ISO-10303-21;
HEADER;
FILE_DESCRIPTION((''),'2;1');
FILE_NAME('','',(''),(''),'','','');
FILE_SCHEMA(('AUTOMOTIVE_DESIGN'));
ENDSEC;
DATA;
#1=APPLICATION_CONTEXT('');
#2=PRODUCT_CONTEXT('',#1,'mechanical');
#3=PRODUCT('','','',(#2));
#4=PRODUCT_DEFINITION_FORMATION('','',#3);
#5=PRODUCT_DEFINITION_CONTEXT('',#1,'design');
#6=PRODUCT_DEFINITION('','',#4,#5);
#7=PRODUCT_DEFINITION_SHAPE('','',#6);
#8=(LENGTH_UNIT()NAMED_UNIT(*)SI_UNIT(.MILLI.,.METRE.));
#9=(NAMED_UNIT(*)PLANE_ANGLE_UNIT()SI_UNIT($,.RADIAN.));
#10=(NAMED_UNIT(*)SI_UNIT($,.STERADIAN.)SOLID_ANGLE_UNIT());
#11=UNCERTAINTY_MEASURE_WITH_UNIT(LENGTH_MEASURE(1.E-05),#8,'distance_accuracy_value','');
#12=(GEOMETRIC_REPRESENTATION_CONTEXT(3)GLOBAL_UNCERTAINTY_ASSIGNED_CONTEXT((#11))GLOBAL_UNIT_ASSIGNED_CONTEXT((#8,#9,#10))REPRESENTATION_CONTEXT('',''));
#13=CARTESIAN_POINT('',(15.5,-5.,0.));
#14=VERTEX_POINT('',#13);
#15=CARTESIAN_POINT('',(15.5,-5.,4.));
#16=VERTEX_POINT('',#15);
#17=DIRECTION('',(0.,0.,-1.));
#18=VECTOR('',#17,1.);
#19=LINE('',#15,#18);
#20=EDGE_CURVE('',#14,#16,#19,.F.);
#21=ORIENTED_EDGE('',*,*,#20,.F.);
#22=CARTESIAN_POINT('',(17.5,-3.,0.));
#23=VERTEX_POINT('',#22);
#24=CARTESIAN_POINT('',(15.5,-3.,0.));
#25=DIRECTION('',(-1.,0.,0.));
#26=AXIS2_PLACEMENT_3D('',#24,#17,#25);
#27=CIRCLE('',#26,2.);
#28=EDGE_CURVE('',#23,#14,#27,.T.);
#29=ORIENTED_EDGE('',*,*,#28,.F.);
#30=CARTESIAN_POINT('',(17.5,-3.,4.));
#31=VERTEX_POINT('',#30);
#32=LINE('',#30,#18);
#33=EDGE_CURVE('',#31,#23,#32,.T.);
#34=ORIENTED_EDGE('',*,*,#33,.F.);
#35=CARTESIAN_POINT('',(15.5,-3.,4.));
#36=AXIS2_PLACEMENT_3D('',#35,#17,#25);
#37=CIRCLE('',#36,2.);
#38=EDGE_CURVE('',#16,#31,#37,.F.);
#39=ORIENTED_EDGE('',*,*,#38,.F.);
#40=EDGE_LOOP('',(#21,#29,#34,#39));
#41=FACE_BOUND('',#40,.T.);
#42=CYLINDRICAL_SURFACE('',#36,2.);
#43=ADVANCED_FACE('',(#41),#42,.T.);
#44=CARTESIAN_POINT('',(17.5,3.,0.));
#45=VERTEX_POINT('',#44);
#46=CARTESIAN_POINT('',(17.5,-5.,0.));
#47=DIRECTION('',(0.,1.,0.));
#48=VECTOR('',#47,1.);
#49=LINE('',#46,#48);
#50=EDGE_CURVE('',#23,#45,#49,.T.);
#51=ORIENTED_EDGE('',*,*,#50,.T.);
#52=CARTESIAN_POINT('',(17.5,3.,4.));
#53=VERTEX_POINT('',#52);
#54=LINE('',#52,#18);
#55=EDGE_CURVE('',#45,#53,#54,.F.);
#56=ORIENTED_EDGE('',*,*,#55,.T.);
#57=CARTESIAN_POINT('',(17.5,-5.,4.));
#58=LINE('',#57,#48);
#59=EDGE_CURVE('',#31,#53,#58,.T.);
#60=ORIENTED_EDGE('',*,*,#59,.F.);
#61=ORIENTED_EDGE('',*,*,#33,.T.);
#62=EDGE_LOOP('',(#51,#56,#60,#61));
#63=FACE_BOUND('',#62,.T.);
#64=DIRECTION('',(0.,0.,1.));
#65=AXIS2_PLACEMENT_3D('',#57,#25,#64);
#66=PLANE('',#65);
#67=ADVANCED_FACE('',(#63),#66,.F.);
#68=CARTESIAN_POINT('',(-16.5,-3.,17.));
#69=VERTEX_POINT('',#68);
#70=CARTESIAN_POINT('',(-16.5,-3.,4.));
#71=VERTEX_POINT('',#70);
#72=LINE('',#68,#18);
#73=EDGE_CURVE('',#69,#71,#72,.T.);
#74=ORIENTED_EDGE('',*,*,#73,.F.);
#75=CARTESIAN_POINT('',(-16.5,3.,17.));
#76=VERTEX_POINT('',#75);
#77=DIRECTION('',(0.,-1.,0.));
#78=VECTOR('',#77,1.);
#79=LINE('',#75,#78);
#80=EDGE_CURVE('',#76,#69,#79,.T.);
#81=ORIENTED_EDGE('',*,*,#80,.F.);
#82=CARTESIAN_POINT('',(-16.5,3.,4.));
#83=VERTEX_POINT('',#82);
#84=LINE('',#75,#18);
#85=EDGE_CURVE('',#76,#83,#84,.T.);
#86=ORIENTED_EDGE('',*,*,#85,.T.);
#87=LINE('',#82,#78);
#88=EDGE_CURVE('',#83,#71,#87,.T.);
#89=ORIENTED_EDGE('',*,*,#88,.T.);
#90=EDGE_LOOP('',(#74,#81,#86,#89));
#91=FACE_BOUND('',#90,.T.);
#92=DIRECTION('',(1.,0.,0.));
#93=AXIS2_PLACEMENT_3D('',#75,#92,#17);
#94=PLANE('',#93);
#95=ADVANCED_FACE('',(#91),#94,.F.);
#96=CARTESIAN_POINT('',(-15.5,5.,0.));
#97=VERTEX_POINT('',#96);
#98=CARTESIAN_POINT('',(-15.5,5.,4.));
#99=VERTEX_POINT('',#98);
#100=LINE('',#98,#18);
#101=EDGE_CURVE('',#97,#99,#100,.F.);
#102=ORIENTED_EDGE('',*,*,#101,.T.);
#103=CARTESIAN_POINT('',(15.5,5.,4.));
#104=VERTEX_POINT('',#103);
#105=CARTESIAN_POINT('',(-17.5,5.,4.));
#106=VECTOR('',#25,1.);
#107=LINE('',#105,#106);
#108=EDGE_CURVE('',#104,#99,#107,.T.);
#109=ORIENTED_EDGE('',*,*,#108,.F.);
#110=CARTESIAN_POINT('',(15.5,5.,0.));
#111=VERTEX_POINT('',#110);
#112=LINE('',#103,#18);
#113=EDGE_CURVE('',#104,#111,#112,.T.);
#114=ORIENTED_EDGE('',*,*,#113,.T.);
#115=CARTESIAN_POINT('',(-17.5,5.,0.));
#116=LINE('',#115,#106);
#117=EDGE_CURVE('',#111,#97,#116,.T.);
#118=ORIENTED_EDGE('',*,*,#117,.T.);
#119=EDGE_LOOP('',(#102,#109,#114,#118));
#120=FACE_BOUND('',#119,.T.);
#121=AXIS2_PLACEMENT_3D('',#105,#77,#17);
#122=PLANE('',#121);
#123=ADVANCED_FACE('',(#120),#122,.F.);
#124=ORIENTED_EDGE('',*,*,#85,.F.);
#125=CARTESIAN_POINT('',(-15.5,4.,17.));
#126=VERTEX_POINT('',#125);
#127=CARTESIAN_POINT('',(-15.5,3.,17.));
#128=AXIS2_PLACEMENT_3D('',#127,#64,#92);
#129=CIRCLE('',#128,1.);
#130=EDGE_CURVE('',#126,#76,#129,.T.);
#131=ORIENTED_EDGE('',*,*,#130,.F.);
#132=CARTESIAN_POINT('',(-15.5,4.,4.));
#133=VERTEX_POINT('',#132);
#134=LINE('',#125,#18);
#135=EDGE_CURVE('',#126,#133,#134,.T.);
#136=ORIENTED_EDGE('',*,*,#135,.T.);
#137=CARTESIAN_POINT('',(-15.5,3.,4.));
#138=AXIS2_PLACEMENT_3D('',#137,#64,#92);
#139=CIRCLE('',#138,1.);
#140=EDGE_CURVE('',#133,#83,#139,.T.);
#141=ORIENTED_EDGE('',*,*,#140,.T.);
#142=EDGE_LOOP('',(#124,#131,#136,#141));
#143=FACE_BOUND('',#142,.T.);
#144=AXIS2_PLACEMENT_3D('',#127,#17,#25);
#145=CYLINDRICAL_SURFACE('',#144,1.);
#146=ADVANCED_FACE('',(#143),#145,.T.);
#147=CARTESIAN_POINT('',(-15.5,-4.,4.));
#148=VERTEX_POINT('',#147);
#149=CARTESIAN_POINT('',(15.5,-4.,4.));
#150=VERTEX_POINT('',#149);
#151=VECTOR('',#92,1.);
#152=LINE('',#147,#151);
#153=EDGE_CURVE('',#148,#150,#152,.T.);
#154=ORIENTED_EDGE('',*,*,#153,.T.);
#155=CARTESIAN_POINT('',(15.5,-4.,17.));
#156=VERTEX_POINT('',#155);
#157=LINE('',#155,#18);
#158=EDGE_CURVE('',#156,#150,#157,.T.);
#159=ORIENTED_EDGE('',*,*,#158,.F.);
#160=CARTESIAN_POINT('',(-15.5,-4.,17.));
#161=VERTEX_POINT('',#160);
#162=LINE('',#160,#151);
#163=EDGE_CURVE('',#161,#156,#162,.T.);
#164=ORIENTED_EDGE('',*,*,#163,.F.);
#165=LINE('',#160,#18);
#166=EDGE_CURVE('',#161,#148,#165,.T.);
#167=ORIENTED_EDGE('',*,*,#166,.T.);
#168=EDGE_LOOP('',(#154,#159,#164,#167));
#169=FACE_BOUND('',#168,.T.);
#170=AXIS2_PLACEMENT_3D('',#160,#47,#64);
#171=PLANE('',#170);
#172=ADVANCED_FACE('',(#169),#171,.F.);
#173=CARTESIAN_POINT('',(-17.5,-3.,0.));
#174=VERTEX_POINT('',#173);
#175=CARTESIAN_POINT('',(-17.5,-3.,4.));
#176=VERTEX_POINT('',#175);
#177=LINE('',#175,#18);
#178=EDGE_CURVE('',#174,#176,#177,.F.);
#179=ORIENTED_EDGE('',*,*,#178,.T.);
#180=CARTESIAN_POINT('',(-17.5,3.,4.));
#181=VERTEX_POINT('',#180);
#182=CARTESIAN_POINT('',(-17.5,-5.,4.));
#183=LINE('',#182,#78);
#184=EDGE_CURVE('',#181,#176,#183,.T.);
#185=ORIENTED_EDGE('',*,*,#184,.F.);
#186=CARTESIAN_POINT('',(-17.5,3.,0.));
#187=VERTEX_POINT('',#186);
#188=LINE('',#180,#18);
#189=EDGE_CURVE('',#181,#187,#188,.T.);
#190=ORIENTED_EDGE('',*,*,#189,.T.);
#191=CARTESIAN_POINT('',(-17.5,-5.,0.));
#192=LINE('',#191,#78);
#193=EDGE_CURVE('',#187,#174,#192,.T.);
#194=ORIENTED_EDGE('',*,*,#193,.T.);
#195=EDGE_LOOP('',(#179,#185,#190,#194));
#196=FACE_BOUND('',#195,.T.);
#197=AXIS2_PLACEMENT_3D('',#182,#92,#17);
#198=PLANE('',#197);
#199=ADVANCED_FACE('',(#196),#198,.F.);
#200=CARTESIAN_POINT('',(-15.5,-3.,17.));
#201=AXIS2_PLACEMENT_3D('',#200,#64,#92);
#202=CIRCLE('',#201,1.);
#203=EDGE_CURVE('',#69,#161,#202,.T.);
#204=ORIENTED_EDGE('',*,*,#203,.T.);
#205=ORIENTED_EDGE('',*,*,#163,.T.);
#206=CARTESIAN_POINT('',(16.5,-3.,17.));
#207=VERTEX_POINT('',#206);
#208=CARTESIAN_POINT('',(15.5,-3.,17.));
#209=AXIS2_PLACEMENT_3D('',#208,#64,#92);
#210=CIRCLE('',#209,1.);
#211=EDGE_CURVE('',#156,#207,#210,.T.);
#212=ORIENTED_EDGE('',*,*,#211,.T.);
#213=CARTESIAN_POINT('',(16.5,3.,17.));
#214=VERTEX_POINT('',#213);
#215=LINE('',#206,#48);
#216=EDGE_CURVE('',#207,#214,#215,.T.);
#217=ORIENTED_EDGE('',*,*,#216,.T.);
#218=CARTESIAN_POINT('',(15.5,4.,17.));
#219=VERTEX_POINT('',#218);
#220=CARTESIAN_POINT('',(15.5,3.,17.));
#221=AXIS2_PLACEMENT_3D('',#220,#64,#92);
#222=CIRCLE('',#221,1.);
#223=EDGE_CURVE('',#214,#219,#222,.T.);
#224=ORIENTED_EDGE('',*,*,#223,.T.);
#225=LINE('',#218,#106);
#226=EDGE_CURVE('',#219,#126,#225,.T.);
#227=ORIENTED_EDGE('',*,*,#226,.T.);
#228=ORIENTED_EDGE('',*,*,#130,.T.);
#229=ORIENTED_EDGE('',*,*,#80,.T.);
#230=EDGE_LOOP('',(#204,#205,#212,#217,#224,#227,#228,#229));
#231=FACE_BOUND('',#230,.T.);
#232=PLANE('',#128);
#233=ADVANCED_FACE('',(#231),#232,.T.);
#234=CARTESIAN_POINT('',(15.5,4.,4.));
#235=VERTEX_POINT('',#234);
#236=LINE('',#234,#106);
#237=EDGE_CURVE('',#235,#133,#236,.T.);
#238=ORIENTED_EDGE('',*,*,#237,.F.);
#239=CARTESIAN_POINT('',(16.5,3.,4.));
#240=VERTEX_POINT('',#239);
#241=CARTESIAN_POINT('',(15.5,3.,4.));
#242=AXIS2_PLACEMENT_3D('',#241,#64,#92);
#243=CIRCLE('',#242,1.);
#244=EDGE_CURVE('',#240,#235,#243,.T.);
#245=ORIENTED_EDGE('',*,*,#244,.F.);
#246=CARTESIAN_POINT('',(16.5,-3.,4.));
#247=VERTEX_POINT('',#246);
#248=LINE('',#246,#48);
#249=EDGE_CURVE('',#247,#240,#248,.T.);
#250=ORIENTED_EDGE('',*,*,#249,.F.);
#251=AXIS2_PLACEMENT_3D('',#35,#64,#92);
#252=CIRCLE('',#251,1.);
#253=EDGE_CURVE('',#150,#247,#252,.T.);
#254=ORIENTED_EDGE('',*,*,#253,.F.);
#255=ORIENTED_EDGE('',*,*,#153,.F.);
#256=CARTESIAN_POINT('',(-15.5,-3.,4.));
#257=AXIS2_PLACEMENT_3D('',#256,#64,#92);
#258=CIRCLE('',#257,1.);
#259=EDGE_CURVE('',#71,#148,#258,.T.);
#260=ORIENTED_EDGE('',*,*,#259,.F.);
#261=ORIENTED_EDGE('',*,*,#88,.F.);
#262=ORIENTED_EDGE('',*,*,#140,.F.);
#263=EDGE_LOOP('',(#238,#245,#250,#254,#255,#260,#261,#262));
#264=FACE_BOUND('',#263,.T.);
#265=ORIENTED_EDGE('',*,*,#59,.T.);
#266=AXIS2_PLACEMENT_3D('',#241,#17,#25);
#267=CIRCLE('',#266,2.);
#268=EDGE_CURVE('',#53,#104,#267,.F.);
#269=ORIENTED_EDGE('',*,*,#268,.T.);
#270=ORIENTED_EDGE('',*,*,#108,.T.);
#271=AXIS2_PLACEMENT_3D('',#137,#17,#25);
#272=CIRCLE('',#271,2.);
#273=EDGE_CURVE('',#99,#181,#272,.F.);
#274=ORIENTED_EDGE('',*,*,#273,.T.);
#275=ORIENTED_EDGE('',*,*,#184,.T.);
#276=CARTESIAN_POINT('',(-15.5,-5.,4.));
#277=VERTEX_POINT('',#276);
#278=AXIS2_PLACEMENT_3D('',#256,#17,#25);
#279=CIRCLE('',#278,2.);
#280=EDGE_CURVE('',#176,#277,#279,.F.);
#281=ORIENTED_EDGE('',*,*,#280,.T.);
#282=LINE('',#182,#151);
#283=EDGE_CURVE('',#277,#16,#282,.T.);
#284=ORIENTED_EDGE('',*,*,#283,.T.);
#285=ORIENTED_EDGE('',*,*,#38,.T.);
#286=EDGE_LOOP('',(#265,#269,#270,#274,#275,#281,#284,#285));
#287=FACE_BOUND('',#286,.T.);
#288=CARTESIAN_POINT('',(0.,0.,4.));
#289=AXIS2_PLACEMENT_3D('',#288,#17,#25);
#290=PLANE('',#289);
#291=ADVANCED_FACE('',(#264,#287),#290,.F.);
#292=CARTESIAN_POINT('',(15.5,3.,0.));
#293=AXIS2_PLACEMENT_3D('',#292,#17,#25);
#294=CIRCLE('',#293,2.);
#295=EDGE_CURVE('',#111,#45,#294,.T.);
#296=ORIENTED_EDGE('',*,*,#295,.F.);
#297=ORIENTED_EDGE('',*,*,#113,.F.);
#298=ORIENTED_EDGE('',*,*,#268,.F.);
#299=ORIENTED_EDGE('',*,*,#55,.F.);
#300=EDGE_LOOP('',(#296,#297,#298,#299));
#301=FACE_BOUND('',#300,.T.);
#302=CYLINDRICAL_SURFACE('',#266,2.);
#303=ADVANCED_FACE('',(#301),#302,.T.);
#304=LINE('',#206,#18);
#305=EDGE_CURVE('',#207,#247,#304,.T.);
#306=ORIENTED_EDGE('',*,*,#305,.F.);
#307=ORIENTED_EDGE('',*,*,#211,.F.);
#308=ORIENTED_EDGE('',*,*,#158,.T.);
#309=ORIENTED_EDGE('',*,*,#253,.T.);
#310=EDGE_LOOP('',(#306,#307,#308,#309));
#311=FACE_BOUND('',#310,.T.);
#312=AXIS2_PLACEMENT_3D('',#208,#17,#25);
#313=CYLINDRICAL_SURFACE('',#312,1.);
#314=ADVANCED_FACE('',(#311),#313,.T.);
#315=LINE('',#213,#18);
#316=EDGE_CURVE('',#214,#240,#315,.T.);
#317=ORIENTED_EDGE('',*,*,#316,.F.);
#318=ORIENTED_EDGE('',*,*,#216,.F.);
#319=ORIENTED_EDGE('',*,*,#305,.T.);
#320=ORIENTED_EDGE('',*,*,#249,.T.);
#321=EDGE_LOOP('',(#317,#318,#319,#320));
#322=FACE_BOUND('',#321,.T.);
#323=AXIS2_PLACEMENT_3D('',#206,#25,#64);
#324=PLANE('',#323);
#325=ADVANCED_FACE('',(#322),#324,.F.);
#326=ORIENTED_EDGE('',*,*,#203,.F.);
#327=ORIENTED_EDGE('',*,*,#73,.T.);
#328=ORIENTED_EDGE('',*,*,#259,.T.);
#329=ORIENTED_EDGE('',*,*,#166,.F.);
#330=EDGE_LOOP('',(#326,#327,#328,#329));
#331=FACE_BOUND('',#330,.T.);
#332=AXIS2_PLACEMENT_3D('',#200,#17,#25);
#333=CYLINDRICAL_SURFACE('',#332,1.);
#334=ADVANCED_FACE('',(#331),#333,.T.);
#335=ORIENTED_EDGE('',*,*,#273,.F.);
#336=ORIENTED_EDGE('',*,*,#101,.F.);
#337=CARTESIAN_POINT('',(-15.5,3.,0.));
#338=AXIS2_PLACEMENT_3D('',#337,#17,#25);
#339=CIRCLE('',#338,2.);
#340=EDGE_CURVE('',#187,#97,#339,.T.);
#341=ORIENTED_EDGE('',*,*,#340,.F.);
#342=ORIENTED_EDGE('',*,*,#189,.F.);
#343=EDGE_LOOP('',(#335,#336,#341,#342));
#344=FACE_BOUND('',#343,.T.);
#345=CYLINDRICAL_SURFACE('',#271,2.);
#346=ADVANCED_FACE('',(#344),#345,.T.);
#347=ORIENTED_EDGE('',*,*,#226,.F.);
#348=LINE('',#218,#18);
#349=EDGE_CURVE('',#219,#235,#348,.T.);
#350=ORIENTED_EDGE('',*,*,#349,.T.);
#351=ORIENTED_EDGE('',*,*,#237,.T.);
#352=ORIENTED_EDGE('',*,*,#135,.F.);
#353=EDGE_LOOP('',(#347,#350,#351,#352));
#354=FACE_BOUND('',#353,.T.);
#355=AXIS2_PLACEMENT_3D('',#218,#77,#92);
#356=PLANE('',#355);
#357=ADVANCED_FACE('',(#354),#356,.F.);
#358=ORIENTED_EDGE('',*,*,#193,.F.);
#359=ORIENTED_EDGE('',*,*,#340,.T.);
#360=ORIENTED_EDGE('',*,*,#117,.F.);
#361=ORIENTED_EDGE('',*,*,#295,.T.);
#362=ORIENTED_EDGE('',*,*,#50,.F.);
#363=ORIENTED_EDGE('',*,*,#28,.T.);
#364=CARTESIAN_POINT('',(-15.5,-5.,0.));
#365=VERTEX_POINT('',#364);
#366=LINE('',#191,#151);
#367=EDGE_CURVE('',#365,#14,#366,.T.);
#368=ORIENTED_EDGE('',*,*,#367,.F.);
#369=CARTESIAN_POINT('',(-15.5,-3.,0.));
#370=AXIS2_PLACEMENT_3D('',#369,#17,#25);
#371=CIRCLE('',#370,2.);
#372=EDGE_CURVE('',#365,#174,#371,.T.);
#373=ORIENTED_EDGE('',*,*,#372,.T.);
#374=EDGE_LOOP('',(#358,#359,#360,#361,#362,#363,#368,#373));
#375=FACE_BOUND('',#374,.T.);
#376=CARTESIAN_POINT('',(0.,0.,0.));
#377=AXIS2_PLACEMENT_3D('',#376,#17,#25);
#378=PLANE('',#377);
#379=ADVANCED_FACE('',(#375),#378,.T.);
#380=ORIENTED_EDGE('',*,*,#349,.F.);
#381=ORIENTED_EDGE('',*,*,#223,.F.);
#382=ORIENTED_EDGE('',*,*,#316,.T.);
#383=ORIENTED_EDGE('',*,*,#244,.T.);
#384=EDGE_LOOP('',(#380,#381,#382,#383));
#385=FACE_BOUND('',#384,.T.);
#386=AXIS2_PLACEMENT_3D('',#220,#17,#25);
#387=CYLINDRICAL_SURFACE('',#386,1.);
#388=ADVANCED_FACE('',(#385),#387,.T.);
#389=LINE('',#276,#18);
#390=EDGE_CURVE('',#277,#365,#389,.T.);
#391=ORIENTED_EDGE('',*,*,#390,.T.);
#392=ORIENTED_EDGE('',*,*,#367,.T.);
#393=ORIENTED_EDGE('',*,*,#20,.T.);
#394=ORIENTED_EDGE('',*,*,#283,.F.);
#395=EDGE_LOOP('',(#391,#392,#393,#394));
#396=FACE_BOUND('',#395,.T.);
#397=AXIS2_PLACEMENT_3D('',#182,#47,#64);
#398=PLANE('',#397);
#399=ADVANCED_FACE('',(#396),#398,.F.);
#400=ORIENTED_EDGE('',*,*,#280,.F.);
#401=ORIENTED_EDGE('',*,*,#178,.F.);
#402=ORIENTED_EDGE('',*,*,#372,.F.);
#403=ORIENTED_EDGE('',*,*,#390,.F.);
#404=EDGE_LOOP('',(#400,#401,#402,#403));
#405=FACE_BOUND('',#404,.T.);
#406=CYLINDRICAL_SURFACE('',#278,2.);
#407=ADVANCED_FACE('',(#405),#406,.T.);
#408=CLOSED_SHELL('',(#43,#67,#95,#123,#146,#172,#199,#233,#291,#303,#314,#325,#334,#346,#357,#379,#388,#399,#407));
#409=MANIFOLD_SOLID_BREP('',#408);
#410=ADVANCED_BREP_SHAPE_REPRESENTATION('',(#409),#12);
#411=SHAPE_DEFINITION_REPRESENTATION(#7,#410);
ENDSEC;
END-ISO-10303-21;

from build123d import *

# Parameters (mm, degrees)
SKETCH2_W           = 35
SKETCH2_H           = 10
BOSS_EXTRUDE1_DEPTH = 4
FILLET1_R           = 2
BOSS_EXTRUDE2_DEPTH = 13


with BuildPart() as part:
    # Sketch2 → Boss-Extrude1 (new body)
    with BuildSketch(Plane.XY):
        Rectangle(SKETCH2_W, SKETCH2_H)
    extrude(amount=BOSS_EXTRUDE1_DEPTH)

    # Fillet1
    fillet1_edges = [part.edges().sort_by_distance(p)[0] for p in [
        (17.5, -5, 2),
        (-17.5, -5, 2),
        (-17.5, 5, 2),
        (17.5, 5, 2),
    ]]
    fillet(fillet1_edges, radius=FILLET1_R)

    # Sketch3 → Boss-Extrude2 (add)
    with BuildSketch(Plane.XY.offset(4)):
        with BuildLine():
            Line((-16.5, 3), (-16.5, -3))
            ThreePointArc((-16.5, -3), (-16.207106781, -3.707106781), (-15.5, -4))
            Line((-15.5, -4), (15.5, -4))
            ThreePointArc((15.5, -4), (16.207106781, -3.707106781), (16.5, -3))
            Line((16.5, -3), (16.5, 3))
            ThreePointArc((16.5, 3), (16.207106781, 3.707106781), (15.5, 4))
            Line((15.5, 4), (-15.5, 4))
            ThreePointArc((-15.5, 4), (-16.207106781, 3.707106781), (-16.5, 3))
        make_face()
    extrude(amount=BOSS_EXTRUDE2_DEPTH)


solid = part.part
